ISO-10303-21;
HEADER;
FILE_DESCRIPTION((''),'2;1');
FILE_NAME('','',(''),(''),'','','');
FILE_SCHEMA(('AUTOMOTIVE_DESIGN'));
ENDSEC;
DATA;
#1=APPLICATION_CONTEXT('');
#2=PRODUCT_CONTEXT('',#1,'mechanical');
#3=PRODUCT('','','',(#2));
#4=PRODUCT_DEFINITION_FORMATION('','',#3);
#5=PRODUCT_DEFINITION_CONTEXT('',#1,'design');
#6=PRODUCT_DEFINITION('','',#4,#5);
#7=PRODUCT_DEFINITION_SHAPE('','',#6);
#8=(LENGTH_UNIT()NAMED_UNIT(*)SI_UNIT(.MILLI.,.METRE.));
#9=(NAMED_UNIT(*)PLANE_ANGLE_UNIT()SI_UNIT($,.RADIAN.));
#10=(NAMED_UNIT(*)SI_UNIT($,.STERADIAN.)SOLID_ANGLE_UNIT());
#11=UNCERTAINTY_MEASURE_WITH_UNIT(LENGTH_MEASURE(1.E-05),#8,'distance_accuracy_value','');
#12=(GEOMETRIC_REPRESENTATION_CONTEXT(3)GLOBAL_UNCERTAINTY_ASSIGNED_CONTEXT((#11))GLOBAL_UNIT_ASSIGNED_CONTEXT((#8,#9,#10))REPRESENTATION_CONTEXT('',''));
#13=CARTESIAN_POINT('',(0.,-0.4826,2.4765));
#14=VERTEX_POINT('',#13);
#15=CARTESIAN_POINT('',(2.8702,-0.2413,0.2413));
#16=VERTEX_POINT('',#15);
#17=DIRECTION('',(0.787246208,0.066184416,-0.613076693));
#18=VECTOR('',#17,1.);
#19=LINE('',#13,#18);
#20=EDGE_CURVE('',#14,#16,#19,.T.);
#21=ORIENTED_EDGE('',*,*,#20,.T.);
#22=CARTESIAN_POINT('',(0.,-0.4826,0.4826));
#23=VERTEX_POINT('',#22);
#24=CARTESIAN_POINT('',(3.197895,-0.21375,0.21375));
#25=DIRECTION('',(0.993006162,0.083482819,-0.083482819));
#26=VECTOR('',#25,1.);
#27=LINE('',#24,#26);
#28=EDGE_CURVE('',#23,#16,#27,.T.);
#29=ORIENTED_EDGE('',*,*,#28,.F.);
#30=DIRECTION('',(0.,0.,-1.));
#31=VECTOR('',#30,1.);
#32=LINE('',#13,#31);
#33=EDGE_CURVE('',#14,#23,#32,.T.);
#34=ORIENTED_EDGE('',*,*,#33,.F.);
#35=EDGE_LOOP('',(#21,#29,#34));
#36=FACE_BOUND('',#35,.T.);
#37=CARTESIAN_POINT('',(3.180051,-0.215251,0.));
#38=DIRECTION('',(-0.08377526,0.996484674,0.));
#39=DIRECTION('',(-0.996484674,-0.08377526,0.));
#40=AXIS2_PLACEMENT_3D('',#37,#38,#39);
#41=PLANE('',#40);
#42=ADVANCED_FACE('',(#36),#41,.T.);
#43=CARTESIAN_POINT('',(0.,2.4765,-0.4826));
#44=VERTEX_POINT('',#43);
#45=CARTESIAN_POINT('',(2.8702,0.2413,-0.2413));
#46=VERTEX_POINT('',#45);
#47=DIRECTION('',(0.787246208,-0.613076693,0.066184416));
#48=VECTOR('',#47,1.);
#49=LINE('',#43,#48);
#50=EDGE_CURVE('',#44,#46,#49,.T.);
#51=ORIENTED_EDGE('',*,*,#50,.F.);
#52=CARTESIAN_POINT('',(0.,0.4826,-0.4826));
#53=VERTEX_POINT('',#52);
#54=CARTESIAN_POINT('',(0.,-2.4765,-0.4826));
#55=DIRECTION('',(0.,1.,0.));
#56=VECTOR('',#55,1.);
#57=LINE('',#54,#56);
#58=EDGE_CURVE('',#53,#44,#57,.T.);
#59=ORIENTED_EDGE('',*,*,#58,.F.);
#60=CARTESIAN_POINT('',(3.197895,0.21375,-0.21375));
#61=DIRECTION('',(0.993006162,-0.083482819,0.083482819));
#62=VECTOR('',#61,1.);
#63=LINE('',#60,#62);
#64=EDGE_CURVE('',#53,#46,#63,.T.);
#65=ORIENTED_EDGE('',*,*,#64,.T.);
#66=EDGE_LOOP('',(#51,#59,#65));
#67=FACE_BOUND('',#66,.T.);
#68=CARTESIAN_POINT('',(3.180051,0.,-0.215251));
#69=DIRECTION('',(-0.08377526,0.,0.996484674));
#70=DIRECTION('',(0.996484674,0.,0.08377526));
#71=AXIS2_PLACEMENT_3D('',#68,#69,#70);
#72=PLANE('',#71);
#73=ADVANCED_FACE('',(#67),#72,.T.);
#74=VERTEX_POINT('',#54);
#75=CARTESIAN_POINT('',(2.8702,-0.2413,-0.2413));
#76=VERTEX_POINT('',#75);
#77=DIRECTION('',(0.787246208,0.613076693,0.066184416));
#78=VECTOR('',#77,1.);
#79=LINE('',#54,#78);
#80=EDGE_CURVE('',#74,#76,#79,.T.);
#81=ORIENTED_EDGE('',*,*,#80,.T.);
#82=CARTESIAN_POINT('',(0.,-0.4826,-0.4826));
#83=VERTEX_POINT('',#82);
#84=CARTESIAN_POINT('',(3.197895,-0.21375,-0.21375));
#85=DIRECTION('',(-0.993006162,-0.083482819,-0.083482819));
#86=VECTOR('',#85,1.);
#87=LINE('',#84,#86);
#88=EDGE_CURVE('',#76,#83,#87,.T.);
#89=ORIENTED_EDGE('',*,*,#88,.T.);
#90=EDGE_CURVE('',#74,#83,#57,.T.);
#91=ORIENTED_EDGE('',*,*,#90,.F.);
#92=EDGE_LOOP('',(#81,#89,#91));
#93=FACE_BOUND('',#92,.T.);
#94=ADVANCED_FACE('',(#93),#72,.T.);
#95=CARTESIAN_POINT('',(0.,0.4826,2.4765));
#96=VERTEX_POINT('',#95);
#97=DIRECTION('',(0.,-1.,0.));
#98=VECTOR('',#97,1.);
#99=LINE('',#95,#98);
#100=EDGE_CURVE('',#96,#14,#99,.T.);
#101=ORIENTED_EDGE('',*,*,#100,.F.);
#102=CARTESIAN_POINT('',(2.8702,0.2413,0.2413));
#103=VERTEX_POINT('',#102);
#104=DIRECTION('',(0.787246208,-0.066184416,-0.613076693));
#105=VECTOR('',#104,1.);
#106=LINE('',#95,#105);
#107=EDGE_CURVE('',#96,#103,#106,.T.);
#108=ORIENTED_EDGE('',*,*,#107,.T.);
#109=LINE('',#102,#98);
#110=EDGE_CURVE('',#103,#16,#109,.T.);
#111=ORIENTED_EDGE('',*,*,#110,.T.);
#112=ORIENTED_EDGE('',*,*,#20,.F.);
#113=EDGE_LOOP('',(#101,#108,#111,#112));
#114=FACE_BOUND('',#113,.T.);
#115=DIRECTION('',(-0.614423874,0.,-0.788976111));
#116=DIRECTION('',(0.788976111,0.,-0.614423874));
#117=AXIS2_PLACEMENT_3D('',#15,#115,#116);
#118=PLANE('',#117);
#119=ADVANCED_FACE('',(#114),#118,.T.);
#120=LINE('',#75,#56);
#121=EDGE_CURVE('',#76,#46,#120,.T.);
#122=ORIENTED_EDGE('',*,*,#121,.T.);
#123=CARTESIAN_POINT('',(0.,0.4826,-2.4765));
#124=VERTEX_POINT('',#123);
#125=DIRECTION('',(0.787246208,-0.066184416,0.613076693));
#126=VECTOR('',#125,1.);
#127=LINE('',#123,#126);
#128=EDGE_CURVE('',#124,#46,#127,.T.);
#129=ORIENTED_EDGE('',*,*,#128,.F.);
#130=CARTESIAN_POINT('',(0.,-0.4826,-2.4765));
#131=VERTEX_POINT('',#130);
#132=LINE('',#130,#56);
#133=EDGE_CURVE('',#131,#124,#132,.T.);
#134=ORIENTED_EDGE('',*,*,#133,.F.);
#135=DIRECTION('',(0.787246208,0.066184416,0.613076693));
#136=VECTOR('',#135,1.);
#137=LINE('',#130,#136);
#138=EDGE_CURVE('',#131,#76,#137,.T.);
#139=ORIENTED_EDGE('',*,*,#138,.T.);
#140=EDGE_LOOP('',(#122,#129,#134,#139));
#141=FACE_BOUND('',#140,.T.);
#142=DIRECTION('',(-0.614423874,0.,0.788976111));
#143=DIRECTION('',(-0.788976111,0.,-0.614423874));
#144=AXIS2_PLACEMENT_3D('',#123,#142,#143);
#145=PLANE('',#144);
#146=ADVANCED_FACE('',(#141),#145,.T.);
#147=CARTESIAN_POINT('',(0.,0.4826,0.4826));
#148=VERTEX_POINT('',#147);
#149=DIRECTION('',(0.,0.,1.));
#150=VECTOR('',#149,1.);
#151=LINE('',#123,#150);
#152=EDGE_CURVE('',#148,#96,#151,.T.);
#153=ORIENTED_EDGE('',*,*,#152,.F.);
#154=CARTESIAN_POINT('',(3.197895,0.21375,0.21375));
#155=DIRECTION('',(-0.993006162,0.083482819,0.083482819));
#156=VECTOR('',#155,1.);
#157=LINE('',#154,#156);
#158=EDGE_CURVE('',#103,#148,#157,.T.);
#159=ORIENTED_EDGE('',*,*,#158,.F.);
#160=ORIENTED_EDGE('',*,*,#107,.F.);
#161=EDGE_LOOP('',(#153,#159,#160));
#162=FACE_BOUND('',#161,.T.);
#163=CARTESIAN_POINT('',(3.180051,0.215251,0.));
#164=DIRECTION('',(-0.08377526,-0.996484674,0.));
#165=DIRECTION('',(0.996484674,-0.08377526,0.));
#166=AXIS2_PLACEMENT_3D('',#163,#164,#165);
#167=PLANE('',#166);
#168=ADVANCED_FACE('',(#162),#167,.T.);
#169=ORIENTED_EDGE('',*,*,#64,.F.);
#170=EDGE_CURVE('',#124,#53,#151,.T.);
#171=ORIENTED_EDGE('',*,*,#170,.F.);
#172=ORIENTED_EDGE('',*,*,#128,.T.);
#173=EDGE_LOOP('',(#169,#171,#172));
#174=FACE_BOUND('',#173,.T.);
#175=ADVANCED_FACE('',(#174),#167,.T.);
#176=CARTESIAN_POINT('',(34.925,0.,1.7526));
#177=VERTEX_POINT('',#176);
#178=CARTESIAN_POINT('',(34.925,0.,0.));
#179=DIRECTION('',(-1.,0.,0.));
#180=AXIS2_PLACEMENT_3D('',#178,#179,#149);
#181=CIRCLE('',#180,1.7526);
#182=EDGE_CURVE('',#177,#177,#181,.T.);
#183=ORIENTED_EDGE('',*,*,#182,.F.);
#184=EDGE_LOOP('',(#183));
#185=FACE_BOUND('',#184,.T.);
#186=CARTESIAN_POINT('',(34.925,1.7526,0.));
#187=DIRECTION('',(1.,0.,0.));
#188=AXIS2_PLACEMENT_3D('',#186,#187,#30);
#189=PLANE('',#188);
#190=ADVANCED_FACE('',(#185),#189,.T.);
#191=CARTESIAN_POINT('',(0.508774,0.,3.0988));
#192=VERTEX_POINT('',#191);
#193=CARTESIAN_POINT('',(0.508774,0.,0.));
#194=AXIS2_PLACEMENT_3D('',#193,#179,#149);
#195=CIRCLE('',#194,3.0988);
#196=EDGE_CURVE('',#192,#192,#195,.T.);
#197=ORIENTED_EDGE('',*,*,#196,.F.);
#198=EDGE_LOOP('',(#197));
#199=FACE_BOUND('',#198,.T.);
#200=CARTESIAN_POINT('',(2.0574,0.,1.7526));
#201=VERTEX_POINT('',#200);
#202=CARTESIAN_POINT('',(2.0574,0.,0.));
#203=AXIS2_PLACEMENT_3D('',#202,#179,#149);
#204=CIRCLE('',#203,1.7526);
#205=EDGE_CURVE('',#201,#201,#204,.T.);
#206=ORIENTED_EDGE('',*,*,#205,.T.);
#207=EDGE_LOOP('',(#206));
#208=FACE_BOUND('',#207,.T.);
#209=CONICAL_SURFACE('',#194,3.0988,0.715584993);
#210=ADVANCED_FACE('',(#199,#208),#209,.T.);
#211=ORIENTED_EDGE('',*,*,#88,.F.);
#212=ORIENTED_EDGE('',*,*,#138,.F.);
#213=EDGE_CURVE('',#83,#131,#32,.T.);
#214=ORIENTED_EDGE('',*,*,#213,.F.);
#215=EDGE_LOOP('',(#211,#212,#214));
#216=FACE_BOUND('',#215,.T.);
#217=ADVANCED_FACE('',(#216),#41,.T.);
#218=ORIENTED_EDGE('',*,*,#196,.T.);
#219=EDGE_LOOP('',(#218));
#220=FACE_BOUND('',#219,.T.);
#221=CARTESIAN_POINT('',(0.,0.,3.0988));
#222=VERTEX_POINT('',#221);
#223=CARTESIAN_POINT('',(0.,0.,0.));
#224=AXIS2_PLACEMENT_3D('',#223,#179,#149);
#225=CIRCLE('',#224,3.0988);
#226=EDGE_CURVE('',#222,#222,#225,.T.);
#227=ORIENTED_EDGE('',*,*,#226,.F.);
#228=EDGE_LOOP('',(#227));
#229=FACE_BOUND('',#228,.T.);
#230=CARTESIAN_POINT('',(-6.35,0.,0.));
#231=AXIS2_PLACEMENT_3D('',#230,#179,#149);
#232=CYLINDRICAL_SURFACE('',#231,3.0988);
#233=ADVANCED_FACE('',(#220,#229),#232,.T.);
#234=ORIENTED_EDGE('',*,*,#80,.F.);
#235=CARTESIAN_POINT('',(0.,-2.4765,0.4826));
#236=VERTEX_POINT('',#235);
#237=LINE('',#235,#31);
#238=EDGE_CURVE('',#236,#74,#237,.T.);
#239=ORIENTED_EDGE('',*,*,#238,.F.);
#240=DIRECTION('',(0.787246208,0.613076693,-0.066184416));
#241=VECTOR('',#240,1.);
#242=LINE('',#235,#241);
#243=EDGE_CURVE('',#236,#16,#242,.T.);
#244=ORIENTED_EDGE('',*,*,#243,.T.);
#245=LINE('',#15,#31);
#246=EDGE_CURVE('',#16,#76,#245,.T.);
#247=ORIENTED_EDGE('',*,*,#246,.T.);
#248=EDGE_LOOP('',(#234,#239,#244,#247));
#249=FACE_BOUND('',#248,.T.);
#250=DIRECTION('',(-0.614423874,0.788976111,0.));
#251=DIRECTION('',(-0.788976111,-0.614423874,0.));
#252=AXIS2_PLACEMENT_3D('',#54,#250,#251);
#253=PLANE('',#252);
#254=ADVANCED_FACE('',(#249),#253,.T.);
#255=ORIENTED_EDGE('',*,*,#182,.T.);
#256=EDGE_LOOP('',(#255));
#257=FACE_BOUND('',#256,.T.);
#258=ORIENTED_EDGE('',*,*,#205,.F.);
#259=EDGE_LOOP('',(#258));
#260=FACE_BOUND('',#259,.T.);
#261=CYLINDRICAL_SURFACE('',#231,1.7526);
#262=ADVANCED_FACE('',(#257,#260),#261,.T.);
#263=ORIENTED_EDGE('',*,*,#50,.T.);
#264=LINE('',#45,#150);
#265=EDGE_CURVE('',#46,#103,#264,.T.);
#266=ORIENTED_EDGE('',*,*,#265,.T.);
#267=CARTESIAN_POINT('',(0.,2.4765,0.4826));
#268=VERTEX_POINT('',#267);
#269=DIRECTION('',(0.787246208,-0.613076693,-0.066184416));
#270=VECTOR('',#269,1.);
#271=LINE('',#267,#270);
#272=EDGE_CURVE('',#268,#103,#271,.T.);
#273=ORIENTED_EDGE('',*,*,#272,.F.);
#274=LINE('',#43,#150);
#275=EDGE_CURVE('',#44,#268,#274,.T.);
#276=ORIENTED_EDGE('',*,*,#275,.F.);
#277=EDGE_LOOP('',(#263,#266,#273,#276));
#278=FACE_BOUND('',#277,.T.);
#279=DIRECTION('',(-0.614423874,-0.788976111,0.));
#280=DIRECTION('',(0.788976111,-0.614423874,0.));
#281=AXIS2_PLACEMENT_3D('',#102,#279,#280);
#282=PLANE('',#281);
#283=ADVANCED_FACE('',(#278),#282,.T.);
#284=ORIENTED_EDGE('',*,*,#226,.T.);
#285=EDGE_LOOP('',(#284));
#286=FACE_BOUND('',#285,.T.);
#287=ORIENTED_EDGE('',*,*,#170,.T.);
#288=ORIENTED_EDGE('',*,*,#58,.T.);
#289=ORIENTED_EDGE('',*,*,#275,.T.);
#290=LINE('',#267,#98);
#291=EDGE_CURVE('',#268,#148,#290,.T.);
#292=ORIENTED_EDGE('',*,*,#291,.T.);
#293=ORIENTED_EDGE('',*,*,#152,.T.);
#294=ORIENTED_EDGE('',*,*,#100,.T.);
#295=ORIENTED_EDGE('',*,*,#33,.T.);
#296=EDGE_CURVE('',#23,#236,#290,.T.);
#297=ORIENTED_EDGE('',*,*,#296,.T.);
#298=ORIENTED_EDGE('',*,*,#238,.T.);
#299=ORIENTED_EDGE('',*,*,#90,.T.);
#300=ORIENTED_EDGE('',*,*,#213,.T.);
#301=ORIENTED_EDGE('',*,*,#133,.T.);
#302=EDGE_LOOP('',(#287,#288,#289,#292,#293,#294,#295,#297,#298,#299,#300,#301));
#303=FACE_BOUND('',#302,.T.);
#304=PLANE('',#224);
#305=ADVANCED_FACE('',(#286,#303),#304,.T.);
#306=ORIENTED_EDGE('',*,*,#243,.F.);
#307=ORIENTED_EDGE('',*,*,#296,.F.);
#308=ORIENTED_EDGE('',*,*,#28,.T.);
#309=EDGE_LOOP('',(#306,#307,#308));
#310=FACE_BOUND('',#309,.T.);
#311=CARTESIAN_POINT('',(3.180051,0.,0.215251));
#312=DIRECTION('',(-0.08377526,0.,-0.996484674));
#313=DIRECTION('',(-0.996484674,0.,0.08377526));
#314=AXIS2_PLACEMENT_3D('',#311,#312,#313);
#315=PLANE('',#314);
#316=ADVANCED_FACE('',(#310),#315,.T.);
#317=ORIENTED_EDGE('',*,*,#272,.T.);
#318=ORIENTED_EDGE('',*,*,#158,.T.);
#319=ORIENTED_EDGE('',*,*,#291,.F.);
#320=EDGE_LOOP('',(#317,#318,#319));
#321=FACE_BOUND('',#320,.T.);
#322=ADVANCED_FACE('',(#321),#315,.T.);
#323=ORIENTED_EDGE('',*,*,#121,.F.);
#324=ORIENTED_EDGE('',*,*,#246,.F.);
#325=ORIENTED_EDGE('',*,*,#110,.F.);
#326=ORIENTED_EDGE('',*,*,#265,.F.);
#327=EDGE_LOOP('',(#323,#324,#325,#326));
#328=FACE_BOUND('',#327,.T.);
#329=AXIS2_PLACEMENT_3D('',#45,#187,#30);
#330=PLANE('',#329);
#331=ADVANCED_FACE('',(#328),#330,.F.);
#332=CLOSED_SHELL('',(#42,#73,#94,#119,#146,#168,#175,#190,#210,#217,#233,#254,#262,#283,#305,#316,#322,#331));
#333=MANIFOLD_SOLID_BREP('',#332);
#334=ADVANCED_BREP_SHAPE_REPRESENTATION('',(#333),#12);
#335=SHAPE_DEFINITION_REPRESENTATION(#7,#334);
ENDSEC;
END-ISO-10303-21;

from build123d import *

# Parameters (mm, degrees)
CIRPATTERN1_COUNT = 2
CIRPATTERN1_ANGLE = 90


with BuildPart() as part:
    # BodySke → Base-Revolve (revolve)
    with BuildSketch(Plane.XY, mode=Mode.PRIVATE) as base_revolve_sk:
        Polygon((0, 0), (0, 3.0988), (0.50877405, 3.0988), (2.0574, 1.7526), (34.925, 1.7526), (34.925, 0), align=None)
    revolve(base_revolve_sk.sketch.rotate(Axis((-6.35, 0, 0), (1, 0, 0)), 90), axis=Axis((-6.35, 0, 0), (1, 0, 0)))

    # Sketch3 → Cross section 0
    with BuildSketch(Plane.ZY):
        with BuildLine():
            Line((-0.4826, 2.4765), (0.4826, 2.4765))
            Line((0.4826, 2.4765), (0.4826, -2.4765))
            Line((0.4826, -2.4765), (-0.4826, -2.4765))
            Line((-0.4826, -2.4765), (-0.4826, 2.4765))
        make_face()
    # Sketch4 → Cross section 1
    with BuildSketch(Plane.ZY.offset(-2.8702)):
        with BuildLine():
            Line((-0.2413, 0.2413), (0.2413, 0.2413))
            Line((0.2413, 0.2413), (0.2413, -0.2413))
            Line((0.2413, -0.2413), (-0.2413, -0.2413))
            Line((-0.2413, -0.2413), (-0.2413, 0.2413))
        make_face()
    cross = loft(mode=Mode.SUBTRACT)

    # CirPattern1: Cross ×2 about axis
    cirpattern1_axis = Axis((0, 0, 0), (1, 0, 0))
    for i in range(1, CIRPATTERN1_COUNT):
        add(cross.rotate(cirpattern1_axis, i * CIRPATTERN1_ANGLE / (CIRPATTERN1_COUNT - 1)), mode=Mode.SUBTRACT)


solid = part.part
